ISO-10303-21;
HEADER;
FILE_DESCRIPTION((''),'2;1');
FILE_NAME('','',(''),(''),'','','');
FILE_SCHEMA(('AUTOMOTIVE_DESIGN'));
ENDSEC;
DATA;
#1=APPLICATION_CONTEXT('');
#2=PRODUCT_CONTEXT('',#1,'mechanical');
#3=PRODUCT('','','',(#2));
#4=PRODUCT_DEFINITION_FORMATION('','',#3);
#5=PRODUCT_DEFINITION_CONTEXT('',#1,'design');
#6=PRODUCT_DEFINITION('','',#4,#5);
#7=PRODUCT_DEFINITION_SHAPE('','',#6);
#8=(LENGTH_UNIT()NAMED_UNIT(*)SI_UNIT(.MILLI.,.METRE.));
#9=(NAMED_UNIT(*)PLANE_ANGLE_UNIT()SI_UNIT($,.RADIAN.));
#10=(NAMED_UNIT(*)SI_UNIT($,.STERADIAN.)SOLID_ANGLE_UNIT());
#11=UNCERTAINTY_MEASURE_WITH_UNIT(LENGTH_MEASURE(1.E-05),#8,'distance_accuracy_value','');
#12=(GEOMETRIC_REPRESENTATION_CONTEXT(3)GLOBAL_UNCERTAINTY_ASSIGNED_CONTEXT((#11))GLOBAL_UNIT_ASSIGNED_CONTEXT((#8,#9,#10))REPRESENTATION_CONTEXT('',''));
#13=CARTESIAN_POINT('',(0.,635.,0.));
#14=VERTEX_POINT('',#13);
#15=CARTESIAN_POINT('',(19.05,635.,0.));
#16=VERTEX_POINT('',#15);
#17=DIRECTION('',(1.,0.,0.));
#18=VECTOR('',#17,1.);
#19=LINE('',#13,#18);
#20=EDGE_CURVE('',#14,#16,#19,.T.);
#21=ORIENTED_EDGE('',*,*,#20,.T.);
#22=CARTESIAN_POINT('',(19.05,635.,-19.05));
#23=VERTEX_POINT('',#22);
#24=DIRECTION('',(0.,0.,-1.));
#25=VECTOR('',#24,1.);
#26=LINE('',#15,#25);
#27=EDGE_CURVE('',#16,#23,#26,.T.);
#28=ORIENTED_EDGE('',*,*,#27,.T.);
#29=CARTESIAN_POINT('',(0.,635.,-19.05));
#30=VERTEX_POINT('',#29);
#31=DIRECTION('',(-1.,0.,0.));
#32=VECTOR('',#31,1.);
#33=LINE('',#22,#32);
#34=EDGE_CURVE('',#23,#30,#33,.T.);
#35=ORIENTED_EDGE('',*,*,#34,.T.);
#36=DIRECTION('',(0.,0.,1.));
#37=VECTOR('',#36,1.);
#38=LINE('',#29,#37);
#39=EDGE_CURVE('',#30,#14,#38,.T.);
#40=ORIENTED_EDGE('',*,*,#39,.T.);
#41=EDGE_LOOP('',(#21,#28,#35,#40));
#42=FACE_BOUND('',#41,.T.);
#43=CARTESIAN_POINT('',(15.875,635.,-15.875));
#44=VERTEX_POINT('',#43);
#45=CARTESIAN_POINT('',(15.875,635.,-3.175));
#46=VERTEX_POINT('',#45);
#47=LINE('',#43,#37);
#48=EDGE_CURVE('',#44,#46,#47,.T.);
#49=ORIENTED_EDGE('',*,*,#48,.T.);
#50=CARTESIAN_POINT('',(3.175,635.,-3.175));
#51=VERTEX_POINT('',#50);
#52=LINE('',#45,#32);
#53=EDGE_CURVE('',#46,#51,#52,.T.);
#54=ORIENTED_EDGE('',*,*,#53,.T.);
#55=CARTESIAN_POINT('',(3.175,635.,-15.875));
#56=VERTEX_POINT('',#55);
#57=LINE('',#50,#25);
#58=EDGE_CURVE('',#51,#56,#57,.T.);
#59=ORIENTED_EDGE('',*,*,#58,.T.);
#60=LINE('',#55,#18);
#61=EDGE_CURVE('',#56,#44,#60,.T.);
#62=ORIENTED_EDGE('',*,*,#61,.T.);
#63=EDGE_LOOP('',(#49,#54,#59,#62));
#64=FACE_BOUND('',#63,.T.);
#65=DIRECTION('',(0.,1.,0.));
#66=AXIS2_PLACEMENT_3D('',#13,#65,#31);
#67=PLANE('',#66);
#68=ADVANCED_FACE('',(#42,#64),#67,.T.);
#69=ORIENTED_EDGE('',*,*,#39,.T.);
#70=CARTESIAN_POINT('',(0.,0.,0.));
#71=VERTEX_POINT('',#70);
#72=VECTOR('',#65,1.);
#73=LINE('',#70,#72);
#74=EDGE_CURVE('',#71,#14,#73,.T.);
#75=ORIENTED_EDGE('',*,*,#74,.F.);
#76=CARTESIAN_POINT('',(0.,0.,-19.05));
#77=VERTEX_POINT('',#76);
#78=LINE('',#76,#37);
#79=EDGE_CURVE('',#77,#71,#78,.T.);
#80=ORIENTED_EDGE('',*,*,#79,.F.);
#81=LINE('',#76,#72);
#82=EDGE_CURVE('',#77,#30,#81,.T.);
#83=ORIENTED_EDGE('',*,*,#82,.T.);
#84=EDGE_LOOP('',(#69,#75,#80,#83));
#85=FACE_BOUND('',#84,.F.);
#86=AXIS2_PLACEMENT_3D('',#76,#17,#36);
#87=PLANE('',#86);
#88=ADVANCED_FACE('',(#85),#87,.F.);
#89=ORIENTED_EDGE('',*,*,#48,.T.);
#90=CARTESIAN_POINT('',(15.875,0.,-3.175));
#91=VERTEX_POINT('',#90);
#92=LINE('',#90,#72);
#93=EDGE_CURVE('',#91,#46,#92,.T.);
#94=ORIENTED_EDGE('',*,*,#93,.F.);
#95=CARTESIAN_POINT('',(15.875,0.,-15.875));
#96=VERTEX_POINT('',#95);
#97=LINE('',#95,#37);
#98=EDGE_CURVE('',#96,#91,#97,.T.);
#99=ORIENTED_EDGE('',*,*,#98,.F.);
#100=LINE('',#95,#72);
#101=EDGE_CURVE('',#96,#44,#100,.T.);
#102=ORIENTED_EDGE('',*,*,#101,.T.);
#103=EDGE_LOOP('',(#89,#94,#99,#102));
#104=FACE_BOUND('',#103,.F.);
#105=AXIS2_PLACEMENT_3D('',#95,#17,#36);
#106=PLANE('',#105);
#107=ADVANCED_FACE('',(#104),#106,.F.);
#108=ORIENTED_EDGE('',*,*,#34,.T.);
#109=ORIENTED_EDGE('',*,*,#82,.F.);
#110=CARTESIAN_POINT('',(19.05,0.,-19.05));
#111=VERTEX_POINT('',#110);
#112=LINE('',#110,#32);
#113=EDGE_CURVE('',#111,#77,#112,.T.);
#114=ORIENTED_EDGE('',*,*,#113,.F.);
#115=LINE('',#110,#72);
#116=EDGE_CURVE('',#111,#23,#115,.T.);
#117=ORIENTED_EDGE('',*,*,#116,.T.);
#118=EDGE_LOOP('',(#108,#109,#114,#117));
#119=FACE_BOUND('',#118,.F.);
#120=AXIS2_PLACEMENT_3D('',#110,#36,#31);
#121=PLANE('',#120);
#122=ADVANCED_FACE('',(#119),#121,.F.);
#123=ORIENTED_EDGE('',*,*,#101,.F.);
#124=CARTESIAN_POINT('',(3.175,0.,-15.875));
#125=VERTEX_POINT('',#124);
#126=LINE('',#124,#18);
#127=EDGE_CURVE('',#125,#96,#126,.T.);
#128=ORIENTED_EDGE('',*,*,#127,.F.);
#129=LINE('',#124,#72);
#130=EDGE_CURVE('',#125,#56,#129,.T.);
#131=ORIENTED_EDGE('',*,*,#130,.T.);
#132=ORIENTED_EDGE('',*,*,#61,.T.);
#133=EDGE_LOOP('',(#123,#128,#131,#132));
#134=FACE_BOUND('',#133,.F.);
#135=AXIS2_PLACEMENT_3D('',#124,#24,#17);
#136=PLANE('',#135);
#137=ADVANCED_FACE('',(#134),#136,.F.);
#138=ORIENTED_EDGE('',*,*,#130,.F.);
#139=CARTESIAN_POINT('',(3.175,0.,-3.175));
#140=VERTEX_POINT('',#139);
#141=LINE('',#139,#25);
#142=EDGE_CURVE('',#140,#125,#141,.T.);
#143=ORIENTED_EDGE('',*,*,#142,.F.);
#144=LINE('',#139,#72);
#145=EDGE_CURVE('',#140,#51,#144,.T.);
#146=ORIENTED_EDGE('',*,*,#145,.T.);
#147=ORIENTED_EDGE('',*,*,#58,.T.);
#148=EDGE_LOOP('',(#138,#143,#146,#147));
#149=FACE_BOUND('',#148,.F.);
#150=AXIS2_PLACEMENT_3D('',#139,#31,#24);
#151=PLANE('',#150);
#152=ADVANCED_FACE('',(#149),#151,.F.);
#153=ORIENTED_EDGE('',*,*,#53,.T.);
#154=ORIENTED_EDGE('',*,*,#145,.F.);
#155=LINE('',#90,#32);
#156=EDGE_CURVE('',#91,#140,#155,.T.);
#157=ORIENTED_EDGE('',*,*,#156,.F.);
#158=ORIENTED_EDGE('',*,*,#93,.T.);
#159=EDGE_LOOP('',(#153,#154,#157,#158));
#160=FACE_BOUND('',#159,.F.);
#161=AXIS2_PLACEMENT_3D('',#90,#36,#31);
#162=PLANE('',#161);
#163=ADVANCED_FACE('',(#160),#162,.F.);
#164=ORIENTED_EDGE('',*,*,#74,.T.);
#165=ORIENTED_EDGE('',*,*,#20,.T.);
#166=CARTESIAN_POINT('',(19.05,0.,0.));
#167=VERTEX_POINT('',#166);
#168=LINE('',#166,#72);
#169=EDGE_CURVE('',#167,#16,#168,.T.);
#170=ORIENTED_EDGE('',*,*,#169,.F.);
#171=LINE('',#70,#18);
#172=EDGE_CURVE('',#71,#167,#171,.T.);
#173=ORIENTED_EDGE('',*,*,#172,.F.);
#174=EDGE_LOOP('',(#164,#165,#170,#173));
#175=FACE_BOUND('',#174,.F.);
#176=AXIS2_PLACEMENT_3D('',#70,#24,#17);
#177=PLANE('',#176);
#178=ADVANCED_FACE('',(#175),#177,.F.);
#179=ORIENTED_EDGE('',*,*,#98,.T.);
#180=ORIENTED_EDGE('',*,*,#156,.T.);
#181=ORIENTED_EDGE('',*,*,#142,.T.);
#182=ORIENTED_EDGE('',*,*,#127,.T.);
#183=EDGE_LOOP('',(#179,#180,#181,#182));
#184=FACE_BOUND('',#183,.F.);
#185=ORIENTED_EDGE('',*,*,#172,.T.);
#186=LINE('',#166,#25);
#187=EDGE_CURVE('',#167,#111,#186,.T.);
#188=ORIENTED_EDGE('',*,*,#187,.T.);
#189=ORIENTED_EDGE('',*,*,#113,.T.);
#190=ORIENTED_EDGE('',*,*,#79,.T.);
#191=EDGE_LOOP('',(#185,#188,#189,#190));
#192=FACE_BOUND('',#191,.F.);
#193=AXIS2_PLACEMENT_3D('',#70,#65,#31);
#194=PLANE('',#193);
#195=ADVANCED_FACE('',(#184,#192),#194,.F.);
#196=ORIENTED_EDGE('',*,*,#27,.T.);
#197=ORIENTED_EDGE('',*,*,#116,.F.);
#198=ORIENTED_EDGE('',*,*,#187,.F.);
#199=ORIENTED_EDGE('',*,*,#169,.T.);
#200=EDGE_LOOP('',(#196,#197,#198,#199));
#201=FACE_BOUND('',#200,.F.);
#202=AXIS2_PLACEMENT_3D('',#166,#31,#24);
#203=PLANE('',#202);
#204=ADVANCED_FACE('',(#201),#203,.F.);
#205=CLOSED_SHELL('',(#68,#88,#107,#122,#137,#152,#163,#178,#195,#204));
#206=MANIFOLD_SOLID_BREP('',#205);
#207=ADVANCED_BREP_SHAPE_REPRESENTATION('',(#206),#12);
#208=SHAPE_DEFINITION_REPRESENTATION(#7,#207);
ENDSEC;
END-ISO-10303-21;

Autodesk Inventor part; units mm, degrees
ref_plane "YZ Plane" through (0, 0, 0) normal (1, 0, 0) x (0, 1, 0)
ref_plane "XZ Plane" through (0, 0, 0) normal (0, 1, 0) x (-1, 0, 0)
ref_plane "XY Plane" through (0, 0, 0) normal (0, 0, 1) x (1, 0, 0)
sketch "Sketch1" plane through (0, 0, 0) normal (0, 1, 0) x (-1, 0, 0)
  line L0 (0, 0) -> (-19.05, 0)
  line L1 (-19.05, 0) -> (-19.05, -19.05)
  line L2 (-19.05, -19.05) -> (0, -19.05)
  line L3 (0, -19.05) -> (0, 0)
  line L4 (-3.175, -15.875) -> (-15.875, -15.875)
  line L5 (-15.875, -15.875) -> (-15.875, -3.175)
  line L6 (-15.875, -3.175) -> (-3.175, -3.175)
  line L7 (-3.175, -3.175) -> (-3.175, -15.875)
  dimension "d0" = 19.05
  dimension "d1" = 19.05
  dimension "d2" = 3.175
extrude "Extrusion1" add sketch "Sketch1" along normal blind 635
properties part number "Chasis Long Length" material "Aluminum 6061"
